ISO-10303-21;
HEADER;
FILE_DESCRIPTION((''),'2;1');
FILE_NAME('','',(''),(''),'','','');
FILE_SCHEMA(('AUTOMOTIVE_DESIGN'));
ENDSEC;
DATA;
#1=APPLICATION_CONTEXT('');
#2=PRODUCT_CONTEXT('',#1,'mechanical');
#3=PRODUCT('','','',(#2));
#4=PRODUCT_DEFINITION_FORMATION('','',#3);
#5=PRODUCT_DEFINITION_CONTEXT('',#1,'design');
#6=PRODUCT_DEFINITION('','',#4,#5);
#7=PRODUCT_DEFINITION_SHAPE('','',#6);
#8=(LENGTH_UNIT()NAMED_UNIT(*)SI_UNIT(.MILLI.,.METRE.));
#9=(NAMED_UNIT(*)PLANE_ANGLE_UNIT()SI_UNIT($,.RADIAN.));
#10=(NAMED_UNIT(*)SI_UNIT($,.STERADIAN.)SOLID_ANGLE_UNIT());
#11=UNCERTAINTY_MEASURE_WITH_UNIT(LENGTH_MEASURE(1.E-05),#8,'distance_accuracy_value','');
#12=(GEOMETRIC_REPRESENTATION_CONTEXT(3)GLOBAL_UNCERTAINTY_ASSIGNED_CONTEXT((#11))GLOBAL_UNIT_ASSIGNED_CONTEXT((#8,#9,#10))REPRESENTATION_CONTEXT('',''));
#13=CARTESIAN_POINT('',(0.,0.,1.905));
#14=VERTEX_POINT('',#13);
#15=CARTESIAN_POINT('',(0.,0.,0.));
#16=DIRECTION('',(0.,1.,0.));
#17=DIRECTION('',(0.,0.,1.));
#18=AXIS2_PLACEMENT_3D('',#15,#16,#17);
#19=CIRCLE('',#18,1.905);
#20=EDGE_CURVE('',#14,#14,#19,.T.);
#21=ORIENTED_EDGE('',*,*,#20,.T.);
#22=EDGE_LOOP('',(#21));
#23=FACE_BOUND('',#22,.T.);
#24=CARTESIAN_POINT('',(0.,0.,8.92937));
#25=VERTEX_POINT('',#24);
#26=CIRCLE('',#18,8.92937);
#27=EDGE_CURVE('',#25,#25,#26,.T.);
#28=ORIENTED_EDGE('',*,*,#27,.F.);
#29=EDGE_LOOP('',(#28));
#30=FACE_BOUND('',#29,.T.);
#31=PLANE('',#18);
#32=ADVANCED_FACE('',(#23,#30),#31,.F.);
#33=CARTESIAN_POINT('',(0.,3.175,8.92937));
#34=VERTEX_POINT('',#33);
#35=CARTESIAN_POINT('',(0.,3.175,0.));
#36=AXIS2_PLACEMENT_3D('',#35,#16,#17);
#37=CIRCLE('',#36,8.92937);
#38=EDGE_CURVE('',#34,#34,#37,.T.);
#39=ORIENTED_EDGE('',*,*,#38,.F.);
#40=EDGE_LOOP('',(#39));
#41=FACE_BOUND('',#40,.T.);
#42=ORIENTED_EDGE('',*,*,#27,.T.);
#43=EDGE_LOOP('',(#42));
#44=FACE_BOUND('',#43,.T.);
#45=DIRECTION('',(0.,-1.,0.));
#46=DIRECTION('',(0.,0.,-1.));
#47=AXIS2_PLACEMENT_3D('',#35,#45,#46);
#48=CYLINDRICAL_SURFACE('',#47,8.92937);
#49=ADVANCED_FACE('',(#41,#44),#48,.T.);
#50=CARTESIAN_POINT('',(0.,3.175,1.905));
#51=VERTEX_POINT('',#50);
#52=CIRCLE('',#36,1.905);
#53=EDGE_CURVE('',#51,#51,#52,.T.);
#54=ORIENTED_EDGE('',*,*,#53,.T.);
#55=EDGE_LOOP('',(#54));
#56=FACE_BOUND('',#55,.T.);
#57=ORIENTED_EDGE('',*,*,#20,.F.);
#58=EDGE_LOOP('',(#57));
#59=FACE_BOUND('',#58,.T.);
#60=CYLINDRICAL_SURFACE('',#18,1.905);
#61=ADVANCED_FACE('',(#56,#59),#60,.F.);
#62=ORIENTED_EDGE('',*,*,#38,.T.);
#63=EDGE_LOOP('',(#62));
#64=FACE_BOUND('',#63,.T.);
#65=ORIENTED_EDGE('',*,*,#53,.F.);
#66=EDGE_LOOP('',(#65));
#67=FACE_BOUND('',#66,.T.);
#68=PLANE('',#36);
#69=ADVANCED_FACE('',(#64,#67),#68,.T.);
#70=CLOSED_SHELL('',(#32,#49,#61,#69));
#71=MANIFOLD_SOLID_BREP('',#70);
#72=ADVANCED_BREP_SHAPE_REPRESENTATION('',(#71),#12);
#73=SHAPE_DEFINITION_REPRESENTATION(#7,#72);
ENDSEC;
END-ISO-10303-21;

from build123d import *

# Parameters (mm, degrees)
SKETCH1_R           = 8.92937
BOSS_EXTRUDE1_DEPTH = 3.175
SKETCH2_R           = 1.905
CUT_EXTRUDE1_DEPTH  = 3.175


with BuildPart() as part:
    # Sketch1 → Boss-Extrude1 (new body)
    with BuildSketch(Plane(origin=(0, 0, 0), x_dir=(1, 0, 0), z_dir=(0, 1, 0))):
        Circle(SKETCH1_R)
    extrude(amount=BOSS_EXTRUDE1_DEPTH)

    # Sketch2 → Cut-Extrude1 (cut)
    with BuildSketch(Plane(origin=(0, 3.175, 0), x_dir=(1, 0, 0), z_dir=(0, 1, 0))):
        Circle(SKETCH2_R)
    extrude(amount=-CUT_EXTRUDE1_DEPTH, mode=Mode.SUBTRACT)


solid = part.part
